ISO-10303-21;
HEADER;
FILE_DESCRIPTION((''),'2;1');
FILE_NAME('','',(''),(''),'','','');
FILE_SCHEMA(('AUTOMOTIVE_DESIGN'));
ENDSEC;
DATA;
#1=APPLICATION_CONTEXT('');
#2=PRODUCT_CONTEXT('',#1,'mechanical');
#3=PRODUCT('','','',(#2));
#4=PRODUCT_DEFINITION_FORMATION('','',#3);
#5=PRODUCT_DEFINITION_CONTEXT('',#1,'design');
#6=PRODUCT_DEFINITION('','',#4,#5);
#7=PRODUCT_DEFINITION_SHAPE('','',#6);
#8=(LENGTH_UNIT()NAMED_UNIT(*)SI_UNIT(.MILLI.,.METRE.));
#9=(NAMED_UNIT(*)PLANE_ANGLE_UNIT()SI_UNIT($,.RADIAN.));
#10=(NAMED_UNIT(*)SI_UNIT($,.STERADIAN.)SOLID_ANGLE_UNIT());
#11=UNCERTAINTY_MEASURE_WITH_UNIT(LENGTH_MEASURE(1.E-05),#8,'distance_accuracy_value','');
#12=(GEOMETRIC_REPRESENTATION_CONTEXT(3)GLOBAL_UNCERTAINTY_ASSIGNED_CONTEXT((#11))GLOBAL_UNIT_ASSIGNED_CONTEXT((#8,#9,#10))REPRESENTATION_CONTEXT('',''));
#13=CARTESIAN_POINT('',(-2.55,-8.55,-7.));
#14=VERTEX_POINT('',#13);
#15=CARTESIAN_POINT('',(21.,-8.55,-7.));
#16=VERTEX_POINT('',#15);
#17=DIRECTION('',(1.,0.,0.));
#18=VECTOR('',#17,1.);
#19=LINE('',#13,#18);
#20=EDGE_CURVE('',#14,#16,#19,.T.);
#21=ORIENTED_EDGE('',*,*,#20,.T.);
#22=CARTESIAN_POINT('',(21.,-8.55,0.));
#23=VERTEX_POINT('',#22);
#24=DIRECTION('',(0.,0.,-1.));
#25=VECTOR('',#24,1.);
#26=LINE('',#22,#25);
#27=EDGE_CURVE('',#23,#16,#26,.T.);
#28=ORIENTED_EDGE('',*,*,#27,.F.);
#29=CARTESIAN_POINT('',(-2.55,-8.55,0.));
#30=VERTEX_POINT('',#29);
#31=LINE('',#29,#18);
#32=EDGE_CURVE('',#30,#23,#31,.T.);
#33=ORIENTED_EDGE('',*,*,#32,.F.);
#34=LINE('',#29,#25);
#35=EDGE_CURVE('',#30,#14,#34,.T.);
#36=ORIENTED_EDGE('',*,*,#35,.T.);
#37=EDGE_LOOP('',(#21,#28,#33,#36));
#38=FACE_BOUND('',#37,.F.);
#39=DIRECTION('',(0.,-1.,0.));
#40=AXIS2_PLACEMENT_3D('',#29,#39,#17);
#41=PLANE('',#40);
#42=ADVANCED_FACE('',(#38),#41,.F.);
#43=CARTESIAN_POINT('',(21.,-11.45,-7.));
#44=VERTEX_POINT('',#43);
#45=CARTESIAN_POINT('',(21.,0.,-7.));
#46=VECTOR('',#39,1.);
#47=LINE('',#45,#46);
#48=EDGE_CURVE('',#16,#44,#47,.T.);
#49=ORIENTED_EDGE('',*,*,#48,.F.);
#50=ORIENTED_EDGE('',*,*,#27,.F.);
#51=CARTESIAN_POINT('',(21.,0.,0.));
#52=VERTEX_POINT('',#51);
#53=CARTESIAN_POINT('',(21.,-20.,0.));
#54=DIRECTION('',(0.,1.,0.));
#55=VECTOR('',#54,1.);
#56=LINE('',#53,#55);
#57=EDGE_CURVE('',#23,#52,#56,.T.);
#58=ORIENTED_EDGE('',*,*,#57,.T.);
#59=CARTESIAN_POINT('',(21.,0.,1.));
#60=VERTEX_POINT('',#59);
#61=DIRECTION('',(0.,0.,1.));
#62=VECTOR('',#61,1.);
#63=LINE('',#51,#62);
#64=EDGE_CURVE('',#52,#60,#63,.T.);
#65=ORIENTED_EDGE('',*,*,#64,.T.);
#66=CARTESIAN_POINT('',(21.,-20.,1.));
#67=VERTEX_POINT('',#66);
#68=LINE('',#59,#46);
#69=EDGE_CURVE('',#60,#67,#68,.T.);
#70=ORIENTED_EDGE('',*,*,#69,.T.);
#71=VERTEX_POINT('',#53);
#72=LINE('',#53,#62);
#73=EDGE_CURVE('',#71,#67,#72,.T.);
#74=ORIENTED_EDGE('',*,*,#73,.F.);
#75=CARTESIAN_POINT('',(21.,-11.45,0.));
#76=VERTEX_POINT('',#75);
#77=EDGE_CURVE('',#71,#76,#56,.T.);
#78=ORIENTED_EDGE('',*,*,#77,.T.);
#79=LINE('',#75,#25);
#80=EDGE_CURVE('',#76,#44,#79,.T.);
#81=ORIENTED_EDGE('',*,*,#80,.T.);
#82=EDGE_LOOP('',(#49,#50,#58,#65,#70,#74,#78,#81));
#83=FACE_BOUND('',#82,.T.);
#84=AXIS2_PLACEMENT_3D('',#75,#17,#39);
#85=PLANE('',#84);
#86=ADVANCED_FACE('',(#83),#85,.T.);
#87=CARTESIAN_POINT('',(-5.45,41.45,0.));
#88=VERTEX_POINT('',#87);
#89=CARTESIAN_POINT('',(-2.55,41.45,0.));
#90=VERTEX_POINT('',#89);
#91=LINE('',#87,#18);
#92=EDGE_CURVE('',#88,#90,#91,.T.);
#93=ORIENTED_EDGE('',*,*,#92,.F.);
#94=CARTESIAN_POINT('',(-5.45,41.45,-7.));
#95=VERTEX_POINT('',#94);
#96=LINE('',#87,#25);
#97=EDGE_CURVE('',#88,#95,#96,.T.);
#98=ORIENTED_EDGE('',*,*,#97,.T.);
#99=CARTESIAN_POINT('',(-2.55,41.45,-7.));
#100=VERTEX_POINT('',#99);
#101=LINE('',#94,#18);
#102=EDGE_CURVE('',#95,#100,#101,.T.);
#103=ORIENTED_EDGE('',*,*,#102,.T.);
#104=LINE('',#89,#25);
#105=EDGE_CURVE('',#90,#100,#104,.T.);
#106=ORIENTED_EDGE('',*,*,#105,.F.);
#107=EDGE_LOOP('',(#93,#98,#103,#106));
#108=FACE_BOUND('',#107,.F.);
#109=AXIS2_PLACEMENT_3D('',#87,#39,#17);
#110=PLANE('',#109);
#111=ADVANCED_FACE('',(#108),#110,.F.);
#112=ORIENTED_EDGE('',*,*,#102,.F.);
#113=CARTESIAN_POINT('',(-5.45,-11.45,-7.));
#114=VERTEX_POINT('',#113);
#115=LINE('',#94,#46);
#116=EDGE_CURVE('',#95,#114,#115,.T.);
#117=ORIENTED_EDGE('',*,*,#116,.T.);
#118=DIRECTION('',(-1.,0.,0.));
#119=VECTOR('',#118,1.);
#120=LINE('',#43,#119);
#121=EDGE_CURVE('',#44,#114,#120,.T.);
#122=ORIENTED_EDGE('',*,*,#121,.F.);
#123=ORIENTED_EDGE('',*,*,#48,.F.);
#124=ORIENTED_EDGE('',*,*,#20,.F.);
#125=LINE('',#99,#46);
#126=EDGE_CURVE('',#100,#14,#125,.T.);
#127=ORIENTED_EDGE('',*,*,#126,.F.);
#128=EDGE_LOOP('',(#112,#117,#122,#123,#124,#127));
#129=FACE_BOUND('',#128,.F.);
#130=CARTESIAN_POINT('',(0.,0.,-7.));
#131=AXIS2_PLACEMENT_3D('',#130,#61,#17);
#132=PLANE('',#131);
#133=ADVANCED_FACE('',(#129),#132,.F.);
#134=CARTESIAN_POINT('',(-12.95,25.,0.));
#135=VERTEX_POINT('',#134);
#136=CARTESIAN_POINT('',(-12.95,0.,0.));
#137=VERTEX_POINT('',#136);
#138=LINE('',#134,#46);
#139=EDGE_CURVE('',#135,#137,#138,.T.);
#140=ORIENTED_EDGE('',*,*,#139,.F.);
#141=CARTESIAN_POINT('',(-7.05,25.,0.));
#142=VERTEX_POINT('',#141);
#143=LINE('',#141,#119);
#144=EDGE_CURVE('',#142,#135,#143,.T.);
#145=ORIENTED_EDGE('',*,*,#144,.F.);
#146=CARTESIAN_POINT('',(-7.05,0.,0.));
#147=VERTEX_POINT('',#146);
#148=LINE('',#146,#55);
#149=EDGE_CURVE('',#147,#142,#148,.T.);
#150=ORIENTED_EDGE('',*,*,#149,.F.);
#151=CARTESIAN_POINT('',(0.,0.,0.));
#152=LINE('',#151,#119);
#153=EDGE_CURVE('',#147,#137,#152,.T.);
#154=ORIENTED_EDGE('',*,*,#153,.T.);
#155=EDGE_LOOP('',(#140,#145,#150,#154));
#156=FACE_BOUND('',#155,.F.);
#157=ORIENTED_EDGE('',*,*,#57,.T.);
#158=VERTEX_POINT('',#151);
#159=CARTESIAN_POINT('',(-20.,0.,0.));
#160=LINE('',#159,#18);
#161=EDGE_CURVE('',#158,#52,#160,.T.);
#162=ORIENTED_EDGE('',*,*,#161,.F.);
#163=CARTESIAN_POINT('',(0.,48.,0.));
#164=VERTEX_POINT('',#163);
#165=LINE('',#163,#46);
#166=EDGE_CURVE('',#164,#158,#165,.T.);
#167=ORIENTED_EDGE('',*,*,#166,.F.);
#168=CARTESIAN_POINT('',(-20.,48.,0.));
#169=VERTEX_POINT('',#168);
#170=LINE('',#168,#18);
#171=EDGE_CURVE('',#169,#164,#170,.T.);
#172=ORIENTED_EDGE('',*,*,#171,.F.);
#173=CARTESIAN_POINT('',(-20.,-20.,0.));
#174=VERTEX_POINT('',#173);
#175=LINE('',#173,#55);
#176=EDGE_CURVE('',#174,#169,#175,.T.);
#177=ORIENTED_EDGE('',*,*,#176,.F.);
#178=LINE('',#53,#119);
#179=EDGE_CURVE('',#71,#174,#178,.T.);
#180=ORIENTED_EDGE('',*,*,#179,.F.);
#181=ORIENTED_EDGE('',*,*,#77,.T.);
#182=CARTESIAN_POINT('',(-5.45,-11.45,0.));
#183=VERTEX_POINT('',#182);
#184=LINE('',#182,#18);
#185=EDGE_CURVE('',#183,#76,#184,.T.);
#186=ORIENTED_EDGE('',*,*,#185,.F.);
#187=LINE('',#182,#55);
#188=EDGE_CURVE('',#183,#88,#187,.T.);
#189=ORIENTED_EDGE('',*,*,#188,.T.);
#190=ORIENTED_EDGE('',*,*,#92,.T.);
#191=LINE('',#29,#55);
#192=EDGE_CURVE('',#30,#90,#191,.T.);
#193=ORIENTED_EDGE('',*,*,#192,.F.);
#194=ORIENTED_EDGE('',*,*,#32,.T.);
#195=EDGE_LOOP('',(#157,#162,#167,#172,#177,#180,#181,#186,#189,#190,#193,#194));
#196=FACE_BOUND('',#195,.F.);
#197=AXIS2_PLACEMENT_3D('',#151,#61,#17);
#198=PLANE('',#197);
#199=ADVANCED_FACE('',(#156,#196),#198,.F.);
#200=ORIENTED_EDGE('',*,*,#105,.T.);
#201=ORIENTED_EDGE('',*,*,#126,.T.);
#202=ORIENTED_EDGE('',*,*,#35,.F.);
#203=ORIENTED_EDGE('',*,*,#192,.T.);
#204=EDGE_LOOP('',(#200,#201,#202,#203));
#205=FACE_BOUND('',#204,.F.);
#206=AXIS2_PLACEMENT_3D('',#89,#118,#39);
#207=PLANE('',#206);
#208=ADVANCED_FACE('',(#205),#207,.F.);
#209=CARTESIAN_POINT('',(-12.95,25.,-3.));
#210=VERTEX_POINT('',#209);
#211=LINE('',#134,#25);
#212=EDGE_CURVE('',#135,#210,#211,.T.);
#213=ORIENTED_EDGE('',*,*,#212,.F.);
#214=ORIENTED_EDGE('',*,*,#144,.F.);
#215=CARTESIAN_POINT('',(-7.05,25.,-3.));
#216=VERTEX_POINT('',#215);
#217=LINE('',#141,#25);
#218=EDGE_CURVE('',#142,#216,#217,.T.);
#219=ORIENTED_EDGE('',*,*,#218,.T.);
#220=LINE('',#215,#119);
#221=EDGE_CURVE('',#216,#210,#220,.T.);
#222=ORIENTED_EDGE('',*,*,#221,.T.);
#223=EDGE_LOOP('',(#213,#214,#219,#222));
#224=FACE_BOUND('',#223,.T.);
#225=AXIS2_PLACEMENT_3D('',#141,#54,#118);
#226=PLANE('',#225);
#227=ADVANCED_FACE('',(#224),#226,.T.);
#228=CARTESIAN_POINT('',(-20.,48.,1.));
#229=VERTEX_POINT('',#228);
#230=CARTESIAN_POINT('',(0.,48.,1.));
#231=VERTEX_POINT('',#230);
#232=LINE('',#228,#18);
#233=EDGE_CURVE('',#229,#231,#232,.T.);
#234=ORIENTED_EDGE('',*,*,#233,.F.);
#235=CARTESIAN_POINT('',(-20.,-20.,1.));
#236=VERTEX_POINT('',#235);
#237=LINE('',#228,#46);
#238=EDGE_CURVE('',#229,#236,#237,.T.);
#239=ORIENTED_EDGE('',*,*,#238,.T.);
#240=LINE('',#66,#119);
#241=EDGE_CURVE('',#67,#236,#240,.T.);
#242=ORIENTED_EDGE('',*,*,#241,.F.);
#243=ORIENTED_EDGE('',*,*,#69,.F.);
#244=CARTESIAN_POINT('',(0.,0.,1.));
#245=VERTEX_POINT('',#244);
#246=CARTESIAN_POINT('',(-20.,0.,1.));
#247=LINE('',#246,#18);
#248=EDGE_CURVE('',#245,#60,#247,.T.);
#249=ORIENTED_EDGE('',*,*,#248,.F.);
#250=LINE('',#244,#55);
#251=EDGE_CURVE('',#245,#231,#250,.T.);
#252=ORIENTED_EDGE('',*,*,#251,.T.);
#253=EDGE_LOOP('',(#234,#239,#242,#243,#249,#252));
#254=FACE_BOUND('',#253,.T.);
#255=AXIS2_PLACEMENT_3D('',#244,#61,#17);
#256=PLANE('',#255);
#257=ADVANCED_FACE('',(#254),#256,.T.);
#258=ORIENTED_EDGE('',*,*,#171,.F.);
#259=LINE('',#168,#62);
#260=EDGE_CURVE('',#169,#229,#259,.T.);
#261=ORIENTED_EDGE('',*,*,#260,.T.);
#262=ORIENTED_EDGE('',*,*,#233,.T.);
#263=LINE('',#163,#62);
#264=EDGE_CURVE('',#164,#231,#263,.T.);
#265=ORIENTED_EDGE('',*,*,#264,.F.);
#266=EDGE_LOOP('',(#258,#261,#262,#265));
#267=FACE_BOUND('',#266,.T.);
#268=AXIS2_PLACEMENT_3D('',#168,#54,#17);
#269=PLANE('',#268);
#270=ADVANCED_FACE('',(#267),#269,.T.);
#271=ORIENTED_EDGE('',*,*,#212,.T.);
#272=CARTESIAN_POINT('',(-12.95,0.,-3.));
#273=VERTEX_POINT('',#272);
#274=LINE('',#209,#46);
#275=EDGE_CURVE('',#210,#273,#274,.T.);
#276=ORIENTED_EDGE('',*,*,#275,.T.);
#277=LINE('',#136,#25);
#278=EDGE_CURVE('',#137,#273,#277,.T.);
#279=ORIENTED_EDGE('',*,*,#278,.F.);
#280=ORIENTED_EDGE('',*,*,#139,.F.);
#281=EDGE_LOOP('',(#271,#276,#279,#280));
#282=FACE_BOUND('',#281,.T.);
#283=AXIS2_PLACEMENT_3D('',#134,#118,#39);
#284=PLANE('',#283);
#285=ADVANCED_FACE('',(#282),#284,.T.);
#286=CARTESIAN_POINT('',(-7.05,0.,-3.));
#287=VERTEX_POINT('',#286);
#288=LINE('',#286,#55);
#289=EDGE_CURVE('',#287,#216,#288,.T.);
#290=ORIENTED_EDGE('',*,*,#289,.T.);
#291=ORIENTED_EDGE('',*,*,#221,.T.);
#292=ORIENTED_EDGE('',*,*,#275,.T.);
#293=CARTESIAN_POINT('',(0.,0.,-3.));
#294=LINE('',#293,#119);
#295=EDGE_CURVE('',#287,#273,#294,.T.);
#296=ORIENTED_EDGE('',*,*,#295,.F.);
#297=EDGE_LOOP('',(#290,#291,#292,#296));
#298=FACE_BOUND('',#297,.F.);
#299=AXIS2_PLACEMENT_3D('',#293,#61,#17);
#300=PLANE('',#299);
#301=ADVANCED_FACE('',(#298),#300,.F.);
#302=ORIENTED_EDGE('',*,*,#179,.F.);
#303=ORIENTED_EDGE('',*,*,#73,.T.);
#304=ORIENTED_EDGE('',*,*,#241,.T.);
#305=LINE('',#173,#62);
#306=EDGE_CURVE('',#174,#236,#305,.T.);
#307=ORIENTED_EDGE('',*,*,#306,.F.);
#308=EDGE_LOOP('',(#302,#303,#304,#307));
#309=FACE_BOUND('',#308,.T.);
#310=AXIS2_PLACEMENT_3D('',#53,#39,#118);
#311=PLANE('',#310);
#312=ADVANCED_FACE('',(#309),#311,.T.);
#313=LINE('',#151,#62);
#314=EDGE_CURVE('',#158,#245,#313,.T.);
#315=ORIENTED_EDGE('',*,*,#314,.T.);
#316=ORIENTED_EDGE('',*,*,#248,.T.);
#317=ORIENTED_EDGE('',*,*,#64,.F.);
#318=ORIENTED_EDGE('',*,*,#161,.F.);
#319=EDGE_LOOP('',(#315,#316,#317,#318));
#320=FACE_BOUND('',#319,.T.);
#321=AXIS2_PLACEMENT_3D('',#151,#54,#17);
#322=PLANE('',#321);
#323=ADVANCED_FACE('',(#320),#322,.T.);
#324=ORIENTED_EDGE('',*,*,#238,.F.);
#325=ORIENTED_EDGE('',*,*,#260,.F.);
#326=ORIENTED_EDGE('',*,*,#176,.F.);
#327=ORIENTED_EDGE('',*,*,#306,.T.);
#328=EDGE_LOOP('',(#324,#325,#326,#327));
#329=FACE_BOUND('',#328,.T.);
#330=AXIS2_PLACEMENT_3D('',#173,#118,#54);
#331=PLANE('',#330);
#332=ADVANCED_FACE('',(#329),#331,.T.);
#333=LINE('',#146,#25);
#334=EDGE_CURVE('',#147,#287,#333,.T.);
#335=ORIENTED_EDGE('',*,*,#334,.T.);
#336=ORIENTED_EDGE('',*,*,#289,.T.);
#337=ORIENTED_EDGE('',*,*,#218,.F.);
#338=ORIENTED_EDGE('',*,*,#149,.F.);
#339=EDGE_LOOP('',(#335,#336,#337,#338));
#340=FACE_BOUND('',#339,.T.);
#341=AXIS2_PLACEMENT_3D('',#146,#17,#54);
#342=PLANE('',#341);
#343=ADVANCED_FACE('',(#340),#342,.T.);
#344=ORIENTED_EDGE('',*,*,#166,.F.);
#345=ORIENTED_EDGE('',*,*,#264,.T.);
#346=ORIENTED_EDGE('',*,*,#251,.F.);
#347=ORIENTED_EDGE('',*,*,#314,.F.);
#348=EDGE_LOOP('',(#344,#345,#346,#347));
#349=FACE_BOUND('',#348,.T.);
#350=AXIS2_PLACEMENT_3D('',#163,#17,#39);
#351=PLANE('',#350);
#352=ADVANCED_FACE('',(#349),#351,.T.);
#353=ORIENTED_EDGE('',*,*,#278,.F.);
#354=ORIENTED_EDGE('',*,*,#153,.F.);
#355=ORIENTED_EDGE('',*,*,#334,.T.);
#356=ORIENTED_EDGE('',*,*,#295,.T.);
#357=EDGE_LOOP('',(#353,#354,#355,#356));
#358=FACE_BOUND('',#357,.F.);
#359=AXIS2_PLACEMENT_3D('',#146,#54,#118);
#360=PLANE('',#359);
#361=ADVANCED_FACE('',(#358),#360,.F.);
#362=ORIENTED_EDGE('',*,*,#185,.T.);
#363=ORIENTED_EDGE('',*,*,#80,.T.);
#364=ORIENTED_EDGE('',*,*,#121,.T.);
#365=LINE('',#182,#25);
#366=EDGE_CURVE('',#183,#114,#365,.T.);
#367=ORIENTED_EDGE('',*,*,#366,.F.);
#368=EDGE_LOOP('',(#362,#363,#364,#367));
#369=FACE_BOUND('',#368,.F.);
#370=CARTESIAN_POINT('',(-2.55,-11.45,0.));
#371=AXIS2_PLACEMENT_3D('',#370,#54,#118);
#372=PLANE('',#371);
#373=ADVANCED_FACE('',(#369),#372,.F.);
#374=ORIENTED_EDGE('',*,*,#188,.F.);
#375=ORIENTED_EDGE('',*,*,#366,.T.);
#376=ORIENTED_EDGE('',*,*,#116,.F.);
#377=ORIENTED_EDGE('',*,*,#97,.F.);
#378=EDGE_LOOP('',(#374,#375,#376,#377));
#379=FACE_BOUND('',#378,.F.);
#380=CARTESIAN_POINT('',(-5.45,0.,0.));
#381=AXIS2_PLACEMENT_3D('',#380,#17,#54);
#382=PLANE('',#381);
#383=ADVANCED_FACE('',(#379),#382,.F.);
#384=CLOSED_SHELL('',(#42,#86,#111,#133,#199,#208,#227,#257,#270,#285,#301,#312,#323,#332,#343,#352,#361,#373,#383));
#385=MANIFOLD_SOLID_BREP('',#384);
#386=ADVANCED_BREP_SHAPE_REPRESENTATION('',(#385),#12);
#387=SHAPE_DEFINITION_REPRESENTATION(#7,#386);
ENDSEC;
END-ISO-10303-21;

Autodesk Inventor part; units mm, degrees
ref_plane "YZ Plane" through (0, 0, 0) normal (1, 0, 0) x (0, 1, 0)
ref_plane "XZ Plane" through (0, 0, 0) normal (0, 1, 0) x (-1, 0, 0)
ref_plane "XY Plane" through (0, 0, 0) normal (0, 0, 1) x (1, 0, 0)
sketch "Sketch1" plane through (0, 0, 0) normal (0, 0, 1) x (1, 0, 0)
  line L0 (0, 0) -> (-20, 0)
  line L1 (-20, 0) -> (-20, 48)
  line L2 (-20, 48) -> (0, 48)
  line L3 (0, 48) -> (0, 0)
  line L4 (-20, 0) -> (21, 0)
  line L5 (21, 0) -> (21, -20)
  line L6 (21, -20) -> (-20, -20)
  line L7 (-20, -20) -> (-20, 0)
  line L8 (21, -11.45) -> (-2.55, -11.45)
  line L9 (-2.55, -11.45) -> (-2.55, -8.55)
  line L10 (-2.55, -8.55) -> (21, -8.55)
  line L11 (21, -8.55) -> (21, -11.45)
  line L12 (-2.55, -11.45) -> (-5.45, -11.45)
  line L13 (-5.45, -11.45) -> (-5.45, 41.45)
  line L14 (-5.45, 41.45) -> (-2.55, 41.45)
  line L15 (-2.55, 41.45) -> (-2.55, -11.45)
  line L16 (-2.55, 41.45) -> (-2.55, 38.55)
  line L17 (0, 38.55) -> (0, 41.45)
  line L18 (-12.95, 0) -> (-7.05, 0)
  line L19 (-7.05, 0) -> (-7.05, 25)
  line L20 (-7.05, 25) -> (-12.95, 25)
  line L21 (-12.95, 25) -> (-12.95, 0)
  point P0 (21, -10)
  point P1 (-2.5, 40)
  point P2 (-4, 13.49)
  point P3 (-10, 0)
  point P4 (-10, 48)
  dimension "d0" = 20
  dimension "d1" = 48
  dimension "d2" = 41
  dimension "d3" = 20
  dimension "d5" = 1.45
  dimension "d6" = 2.9
  dimension "d7" = 2.9
  dimension "d8" = 8
  dimension "d11" = 4
  dimension "d12" = 1.45
  dimension "d13" = 1.45
  dimension "d14" = 1.45
  dimension "d16" = 2.95
  dimension "d17" = 5.9
  dimension "d18" = 25
extrude "Extrusion1" add sketch "Sketch1" along normal blind 1
extrude "Extrusion2" add sketch "Sketch1" against normal blind 7 contours L13 L14 L15 L0 | L0 L15 L9 L12 L13 | L10 L5 L8 L9
extrude "Extrusion3" add sketch "Sketch1" against normal blind 3 contours L0 L21 L20 L19
equation "\"d5\" = 0.5 * d6"
equation "\"d7\" = d6"
equation "\"d12\" = 0.5 * d6"
equation "\"d14\" = 0.5 * d10"
equation "\"d10\" = d6"
properties part number "cache_nappe_cote"
